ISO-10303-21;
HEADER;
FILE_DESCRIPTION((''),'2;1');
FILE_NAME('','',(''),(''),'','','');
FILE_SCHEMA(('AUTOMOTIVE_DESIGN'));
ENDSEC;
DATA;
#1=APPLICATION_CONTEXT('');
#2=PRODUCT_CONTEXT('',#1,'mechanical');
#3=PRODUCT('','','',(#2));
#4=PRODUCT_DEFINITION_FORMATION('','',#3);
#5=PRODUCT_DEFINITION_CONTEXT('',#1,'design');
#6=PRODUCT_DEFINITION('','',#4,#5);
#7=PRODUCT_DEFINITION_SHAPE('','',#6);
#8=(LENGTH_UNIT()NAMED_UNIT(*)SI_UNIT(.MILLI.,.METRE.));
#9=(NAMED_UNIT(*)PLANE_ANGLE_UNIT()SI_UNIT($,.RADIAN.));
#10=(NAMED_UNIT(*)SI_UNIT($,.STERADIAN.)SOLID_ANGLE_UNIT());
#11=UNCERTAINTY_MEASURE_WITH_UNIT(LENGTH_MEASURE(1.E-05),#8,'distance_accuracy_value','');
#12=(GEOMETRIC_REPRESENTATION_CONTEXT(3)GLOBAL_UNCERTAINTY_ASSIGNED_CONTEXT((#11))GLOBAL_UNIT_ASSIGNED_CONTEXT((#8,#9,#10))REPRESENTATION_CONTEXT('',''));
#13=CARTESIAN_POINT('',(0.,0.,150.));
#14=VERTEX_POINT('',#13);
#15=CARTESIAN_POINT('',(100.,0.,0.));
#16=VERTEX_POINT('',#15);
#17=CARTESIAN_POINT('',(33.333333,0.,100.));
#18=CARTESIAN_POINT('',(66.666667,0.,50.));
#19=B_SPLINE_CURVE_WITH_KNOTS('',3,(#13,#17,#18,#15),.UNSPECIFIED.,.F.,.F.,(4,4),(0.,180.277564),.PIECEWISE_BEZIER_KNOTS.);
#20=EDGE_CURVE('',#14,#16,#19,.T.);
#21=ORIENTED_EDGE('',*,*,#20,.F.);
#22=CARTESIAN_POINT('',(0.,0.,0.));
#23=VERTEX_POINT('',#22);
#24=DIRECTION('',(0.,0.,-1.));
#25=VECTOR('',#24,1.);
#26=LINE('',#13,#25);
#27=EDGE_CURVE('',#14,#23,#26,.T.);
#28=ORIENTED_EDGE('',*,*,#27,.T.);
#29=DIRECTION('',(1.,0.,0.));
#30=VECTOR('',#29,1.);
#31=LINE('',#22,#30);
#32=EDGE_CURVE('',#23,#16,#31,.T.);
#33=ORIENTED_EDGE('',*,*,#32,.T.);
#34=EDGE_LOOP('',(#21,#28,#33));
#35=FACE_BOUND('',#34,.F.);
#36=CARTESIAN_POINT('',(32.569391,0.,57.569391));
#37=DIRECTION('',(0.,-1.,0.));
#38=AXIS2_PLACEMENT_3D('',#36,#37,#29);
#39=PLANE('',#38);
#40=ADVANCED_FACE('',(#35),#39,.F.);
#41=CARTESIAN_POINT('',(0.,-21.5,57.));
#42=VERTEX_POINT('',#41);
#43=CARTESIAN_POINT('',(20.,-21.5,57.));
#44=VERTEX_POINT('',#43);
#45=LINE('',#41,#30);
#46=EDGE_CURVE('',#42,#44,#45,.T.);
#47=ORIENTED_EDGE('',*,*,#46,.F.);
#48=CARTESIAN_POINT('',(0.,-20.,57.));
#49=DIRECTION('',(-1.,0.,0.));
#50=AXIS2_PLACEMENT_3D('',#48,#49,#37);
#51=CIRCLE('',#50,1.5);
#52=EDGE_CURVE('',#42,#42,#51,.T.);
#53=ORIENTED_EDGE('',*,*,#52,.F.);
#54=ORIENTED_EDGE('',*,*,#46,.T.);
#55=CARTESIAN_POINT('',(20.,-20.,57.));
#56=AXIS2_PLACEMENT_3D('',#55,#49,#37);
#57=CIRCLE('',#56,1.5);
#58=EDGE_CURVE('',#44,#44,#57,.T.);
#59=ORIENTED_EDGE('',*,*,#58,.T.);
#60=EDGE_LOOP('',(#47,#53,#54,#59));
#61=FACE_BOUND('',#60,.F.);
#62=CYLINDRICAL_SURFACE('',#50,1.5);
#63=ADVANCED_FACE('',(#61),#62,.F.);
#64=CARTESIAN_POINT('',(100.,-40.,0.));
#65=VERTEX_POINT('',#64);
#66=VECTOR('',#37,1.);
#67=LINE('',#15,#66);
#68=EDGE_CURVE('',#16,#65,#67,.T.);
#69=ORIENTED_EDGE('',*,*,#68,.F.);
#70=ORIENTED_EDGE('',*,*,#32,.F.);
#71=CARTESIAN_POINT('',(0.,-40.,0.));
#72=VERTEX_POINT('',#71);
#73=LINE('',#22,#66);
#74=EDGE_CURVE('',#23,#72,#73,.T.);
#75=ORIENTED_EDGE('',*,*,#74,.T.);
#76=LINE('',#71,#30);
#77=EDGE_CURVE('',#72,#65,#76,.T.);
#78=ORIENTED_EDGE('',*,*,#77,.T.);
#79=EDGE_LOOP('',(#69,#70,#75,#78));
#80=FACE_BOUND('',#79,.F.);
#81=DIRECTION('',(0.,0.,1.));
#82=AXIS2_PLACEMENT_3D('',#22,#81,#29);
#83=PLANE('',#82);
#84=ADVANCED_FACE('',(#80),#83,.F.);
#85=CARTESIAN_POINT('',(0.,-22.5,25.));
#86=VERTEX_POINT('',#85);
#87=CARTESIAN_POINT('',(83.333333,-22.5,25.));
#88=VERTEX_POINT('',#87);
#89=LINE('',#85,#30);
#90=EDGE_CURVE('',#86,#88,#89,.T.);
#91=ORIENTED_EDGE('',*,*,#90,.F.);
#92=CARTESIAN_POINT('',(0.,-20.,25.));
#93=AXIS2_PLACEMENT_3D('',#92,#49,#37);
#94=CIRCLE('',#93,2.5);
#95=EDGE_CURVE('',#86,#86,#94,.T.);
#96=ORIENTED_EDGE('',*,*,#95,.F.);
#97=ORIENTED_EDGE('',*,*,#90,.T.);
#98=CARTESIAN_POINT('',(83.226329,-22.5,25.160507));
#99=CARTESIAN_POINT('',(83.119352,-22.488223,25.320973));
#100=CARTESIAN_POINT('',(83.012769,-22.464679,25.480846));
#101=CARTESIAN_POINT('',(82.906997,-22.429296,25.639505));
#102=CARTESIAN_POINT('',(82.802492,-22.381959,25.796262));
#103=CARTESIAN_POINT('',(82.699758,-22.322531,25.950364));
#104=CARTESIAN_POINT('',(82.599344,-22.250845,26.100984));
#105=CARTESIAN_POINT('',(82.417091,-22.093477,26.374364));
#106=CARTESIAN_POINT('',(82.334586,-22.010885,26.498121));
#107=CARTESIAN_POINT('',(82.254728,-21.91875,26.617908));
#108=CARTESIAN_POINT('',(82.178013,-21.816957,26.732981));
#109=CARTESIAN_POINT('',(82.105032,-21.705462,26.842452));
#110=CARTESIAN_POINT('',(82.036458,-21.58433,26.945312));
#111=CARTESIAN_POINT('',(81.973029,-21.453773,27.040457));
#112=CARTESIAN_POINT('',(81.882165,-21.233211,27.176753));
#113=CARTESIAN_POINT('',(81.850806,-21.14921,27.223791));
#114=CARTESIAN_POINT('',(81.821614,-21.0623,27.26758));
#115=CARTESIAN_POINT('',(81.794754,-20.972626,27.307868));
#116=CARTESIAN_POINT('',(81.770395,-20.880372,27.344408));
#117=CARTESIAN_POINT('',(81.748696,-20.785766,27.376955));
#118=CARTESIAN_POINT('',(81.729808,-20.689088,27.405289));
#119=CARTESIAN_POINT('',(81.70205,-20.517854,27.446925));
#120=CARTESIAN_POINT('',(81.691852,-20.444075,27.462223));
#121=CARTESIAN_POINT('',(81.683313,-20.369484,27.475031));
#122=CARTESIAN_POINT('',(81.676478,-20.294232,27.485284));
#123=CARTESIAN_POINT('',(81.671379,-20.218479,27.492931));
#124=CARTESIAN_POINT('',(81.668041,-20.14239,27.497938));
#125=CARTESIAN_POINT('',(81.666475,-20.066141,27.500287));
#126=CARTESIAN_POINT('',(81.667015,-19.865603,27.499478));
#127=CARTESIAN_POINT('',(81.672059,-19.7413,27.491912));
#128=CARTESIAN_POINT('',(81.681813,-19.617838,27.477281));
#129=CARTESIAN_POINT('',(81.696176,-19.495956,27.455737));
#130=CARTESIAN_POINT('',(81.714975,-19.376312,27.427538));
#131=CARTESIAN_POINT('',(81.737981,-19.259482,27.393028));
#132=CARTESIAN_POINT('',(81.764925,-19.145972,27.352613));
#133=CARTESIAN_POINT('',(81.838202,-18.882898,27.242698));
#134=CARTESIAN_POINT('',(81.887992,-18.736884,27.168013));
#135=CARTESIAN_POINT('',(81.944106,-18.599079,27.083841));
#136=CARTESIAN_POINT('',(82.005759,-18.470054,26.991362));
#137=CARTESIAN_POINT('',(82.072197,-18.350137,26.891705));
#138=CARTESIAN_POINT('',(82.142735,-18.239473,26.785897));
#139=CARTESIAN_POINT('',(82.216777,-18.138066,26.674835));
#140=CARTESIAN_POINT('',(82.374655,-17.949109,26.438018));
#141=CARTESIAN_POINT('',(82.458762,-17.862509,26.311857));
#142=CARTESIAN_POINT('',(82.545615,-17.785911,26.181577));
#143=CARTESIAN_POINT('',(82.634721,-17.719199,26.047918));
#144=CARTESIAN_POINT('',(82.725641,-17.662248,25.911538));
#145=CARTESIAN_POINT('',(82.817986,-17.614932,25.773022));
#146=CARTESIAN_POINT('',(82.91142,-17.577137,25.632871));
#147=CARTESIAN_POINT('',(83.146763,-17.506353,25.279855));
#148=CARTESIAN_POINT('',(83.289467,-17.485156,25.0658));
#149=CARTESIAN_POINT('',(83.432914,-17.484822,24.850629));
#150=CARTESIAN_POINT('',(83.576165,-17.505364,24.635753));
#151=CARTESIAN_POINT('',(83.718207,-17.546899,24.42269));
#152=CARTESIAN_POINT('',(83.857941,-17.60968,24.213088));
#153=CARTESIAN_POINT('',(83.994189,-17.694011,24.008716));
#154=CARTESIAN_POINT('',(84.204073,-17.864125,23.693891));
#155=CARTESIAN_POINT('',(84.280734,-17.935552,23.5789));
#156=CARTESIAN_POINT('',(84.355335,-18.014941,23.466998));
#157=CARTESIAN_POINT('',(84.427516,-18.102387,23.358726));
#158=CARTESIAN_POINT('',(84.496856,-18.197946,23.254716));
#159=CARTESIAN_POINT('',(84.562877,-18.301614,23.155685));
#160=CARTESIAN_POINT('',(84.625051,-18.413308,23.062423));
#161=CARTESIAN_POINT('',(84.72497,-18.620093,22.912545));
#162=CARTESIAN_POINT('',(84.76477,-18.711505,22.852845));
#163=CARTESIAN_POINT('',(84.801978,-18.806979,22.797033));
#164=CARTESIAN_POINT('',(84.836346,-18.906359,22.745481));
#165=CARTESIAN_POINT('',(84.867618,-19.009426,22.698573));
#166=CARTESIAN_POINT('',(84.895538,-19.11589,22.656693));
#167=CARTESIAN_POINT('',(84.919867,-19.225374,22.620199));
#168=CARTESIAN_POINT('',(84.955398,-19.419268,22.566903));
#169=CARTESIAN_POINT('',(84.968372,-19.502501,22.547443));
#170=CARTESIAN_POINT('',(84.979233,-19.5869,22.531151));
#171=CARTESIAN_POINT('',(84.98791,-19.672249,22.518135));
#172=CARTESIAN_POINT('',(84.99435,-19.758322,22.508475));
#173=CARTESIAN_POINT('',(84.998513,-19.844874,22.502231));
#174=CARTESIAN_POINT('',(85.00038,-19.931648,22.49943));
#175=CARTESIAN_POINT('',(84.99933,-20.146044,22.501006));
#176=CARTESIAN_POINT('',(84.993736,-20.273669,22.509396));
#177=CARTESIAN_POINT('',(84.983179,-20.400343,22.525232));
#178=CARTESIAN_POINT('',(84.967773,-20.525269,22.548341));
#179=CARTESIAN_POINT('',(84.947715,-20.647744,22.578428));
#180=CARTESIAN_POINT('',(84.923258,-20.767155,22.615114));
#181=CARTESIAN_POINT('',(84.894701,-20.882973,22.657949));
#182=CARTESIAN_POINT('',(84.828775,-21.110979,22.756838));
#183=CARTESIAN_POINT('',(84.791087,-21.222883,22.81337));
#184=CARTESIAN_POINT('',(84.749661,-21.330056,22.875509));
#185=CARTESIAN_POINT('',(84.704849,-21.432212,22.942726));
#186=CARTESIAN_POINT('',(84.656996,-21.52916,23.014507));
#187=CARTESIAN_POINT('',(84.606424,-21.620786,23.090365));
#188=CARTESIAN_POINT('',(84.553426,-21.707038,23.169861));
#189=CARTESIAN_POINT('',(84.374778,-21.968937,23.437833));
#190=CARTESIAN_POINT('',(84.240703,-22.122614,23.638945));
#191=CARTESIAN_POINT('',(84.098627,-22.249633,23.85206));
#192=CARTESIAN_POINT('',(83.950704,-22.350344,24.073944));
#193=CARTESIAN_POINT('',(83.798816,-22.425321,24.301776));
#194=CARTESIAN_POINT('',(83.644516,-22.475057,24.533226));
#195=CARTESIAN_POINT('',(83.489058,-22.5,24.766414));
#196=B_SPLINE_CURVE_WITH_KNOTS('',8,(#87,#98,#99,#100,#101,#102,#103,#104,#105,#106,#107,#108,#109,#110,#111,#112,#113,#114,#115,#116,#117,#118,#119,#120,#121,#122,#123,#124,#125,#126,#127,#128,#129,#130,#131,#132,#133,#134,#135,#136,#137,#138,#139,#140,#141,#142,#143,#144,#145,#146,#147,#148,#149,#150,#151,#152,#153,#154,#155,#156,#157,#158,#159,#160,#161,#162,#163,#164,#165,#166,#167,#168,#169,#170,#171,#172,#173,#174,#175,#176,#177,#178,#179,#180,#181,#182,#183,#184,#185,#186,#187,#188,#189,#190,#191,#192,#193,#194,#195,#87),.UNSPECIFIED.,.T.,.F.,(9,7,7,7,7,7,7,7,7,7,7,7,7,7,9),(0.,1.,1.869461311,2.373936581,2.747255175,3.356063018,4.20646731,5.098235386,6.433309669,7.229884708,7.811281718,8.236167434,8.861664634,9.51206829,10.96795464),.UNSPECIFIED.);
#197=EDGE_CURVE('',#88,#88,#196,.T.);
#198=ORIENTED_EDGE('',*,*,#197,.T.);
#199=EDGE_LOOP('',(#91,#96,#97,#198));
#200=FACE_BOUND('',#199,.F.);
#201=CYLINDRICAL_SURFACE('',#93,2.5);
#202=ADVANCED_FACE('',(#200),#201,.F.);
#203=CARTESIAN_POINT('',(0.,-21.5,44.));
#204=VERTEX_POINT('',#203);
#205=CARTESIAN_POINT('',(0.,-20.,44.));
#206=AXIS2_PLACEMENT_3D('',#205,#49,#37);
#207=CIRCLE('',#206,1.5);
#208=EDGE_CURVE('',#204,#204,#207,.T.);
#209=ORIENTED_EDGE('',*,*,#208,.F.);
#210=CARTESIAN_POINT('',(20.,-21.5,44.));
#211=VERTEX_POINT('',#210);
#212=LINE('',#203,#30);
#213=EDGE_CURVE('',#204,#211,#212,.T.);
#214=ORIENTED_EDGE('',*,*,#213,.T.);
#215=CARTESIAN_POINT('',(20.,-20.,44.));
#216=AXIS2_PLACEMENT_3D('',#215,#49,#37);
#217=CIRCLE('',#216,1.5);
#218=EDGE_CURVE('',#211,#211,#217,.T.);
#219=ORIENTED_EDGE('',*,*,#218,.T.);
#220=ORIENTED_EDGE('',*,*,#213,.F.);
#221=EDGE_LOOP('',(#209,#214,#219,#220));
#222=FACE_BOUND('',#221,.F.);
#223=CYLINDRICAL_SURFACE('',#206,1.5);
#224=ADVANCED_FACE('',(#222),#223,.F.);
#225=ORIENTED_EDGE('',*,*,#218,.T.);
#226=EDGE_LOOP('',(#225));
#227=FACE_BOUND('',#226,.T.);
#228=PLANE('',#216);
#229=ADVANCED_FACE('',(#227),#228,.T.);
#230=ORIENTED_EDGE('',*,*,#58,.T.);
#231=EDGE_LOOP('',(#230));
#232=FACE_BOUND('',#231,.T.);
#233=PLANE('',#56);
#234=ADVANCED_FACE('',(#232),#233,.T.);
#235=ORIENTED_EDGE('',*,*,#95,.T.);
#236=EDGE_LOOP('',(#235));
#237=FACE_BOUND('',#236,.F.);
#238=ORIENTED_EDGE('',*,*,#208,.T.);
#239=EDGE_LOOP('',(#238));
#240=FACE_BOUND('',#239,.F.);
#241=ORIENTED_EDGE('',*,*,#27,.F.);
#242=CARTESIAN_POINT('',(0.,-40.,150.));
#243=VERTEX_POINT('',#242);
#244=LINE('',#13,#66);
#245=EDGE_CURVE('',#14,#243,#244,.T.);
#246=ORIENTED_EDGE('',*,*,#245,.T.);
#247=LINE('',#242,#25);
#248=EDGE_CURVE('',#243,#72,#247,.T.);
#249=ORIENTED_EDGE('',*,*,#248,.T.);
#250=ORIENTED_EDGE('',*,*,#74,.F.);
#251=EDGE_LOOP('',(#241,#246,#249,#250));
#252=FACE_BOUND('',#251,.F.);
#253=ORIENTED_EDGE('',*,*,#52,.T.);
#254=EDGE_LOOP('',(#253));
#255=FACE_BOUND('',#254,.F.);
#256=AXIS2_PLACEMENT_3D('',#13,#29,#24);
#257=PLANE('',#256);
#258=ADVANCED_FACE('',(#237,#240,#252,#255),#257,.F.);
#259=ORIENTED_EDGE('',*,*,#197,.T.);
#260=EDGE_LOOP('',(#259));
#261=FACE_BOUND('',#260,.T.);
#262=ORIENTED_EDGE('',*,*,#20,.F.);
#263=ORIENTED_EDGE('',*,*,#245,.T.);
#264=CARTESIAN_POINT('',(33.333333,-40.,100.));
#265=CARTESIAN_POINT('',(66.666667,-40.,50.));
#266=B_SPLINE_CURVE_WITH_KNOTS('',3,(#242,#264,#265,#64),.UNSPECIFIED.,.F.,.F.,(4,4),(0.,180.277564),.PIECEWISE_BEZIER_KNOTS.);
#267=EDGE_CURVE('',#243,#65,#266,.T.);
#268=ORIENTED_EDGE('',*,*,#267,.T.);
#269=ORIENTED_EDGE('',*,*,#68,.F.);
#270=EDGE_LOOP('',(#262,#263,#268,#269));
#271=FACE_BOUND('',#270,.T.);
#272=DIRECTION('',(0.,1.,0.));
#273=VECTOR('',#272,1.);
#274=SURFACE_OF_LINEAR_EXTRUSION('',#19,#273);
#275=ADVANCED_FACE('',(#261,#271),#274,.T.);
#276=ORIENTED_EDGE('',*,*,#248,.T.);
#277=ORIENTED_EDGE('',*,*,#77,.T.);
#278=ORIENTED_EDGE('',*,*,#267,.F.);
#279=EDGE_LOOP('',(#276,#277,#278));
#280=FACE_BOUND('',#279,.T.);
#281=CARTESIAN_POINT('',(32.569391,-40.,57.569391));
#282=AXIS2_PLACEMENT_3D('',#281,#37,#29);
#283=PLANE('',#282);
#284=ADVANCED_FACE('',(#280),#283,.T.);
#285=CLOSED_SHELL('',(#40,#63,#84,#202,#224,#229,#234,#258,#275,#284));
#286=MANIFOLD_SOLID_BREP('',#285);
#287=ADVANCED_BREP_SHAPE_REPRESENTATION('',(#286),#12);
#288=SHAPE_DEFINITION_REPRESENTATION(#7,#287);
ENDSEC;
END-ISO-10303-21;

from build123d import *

# Parameters (mm, degrees)
F1_DEPTH = 40
F2_R     = 2.5
F3_DEPTH = 100.001
F4_R     = 1.5
F5_DEPTH = 20


with BuildPart() as f1:
    # F0 (on Front) → F1 (new body)
    with BuildSketch(Plane.XZ):
        with BuildLine():
            Line((0, 150), (0, 0))
            Line((0, 0), (100, 0))
            add(Edge.make_bspline(
                [(0, 150), (33.333333, 100), (66.666667, 50), (100, 0)],
                knots=[0, 0, 0, 0, 180.277564, 180.277564, 180.277564, 180.277564], degree=3))
        make_face()
    extrude(amount=F1_DEPTH)

    # F2 (on face) → F3 (cut, through all)
    with BuildSketch(Plane(origin=(0, 0, 0), x_dir=(0, -1, 0), z_dir=(-1, 0, 0))):
        with Locations((20, 25)):
            Circle(F2_R)
    extrude(amount=-F3_DEPTH, mode=Mode.SUBTRACT)

    # F4 (on face) → F5 (cut)
    with BuildSketch(Plane(origin=(0, 0, 0), x_dir=(0, -1, 0), z_dir=(-1, 0, 0))):
        with Locations((20, 57)):
            Circle(F4_R)
        with Locations((20, 44)):
            Circle(F4_R)
    extrude(amount=-F5_DEPTH, mode=Mode.SUBTRACT)


solid = f1.part
